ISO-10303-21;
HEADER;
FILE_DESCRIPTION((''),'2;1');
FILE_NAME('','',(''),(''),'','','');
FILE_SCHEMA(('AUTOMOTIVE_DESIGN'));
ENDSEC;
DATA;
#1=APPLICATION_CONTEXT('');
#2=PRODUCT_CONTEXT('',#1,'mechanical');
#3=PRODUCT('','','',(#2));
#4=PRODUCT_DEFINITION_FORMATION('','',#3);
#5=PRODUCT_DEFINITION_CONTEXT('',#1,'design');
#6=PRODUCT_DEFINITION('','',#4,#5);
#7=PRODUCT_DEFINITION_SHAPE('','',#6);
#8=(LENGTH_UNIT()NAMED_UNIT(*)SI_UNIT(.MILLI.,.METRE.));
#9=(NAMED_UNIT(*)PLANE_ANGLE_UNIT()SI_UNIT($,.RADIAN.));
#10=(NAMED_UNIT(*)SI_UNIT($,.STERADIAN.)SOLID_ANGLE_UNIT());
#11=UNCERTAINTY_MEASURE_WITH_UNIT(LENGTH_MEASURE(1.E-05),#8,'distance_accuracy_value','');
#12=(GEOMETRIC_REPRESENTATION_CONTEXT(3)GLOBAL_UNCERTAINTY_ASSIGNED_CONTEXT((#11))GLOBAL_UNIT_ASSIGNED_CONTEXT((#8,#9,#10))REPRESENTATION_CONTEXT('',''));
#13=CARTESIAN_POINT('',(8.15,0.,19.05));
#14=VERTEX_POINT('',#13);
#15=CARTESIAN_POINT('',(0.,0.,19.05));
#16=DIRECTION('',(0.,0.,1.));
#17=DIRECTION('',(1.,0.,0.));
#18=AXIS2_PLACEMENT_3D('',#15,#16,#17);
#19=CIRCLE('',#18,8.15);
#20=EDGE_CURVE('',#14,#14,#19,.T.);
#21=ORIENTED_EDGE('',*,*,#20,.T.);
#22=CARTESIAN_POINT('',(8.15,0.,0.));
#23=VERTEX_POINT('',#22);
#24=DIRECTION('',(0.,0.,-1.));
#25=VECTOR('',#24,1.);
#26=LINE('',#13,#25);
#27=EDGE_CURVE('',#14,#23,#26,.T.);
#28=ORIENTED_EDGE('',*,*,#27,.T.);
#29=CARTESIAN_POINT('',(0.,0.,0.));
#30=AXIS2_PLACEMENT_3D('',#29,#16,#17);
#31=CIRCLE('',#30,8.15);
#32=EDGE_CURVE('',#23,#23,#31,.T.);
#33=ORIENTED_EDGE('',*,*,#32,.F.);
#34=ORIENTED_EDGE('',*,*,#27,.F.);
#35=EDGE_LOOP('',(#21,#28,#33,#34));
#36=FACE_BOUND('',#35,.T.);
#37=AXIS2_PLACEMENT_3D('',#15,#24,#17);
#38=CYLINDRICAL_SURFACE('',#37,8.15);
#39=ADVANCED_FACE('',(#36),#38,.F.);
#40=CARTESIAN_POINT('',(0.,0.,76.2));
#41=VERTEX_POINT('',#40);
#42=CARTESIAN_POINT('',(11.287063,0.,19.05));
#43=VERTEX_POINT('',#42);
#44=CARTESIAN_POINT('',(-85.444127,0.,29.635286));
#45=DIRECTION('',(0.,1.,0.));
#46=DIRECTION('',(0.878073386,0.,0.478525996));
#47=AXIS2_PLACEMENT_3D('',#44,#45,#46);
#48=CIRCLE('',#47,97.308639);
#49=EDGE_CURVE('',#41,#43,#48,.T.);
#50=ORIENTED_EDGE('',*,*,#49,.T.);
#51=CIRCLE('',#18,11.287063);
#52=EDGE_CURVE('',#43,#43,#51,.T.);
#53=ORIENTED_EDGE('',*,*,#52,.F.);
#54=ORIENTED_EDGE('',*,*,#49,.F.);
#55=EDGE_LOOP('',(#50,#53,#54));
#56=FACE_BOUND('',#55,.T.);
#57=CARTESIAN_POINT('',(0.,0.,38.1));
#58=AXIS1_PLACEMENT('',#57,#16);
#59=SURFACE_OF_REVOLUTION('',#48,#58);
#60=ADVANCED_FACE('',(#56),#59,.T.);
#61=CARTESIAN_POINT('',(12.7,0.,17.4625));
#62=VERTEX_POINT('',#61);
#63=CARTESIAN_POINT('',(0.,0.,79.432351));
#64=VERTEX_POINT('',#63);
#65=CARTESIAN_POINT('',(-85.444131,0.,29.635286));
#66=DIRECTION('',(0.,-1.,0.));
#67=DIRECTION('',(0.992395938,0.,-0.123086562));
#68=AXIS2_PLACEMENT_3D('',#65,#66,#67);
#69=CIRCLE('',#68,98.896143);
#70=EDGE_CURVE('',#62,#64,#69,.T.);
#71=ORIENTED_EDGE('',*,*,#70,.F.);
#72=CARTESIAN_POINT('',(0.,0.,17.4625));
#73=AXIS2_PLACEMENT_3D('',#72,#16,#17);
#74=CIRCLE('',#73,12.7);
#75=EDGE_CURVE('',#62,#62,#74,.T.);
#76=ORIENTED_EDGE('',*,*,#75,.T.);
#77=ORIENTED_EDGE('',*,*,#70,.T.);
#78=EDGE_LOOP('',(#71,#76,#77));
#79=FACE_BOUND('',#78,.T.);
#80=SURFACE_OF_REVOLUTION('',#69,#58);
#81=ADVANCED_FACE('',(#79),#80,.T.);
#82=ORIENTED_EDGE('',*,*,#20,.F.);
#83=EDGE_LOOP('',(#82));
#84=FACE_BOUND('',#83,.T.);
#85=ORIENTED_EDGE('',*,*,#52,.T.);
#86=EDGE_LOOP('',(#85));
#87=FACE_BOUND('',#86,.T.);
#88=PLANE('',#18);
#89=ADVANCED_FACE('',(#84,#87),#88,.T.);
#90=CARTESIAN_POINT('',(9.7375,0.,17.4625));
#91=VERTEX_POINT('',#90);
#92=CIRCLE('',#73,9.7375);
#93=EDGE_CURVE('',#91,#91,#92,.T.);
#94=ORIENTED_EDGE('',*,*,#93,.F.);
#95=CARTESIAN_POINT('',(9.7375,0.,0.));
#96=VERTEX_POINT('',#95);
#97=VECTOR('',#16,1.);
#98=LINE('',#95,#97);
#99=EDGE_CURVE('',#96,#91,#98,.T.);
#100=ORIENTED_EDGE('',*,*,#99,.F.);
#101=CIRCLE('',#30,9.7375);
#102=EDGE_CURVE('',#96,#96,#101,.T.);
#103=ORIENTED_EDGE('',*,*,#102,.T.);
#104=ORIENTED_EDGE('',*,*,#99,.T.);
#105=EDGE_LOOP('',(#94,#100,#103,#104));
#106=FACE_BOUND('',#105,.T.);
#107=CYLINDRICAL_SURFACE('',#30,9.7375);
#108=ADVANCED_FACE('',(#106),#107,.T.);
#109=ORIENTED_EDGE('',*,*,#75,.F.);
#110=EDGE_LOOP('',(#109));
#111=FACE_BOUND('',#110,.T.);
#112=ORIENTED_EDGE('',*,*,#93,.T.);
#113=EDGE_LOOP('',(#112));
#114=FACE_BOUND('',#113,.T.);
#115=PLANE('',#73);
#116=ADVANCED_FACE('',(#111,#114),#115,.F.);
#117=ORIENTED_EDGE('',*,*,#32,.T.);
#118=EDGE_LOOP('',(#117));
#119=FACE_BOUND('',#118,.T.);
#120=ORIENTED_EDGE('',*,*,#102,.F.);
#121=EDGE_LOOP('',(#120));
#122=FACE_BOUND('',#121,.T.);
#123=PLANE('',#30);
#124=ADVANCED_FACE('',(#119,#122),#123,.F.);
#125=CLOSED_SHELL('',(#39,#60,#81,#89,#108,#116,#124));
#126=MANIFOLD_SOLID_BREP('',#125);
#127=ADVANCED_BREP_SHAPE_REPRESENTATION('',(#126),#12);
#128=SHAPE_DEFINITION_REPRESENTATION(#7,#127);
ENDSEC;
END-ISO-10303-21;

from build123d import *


with BuildPart() as f1:
    # F0 (on Front) → F1 (revolve)
    with BuildSketch(Plane.XZ):
        with BuildLine():
            Line((0, 79.432351), (0, 76.2))
            ThreePointArc((0, 76.2), (10.020485, 48.489444), (11.287063, 19.05))
            Line((11.287063, 19.05), (8.15, 19.05))
            Line((8.15, 19.05), (8.15, 0))
            Line((8.15, 0), (9.7375, 0))
            Line((9.7375, 0), (9.7375, 17.4625))
            Line((9.7375, 17.4625), (12.7, 17.4625))
            ThreePointArc((12.7, 17.4625), (11.438417, 49.490237), (0, 79.432351))
        make_face()
    revolve(axis=Axis((0, 0, 38.1), (0, 0, 1)))


solid = f1.part
